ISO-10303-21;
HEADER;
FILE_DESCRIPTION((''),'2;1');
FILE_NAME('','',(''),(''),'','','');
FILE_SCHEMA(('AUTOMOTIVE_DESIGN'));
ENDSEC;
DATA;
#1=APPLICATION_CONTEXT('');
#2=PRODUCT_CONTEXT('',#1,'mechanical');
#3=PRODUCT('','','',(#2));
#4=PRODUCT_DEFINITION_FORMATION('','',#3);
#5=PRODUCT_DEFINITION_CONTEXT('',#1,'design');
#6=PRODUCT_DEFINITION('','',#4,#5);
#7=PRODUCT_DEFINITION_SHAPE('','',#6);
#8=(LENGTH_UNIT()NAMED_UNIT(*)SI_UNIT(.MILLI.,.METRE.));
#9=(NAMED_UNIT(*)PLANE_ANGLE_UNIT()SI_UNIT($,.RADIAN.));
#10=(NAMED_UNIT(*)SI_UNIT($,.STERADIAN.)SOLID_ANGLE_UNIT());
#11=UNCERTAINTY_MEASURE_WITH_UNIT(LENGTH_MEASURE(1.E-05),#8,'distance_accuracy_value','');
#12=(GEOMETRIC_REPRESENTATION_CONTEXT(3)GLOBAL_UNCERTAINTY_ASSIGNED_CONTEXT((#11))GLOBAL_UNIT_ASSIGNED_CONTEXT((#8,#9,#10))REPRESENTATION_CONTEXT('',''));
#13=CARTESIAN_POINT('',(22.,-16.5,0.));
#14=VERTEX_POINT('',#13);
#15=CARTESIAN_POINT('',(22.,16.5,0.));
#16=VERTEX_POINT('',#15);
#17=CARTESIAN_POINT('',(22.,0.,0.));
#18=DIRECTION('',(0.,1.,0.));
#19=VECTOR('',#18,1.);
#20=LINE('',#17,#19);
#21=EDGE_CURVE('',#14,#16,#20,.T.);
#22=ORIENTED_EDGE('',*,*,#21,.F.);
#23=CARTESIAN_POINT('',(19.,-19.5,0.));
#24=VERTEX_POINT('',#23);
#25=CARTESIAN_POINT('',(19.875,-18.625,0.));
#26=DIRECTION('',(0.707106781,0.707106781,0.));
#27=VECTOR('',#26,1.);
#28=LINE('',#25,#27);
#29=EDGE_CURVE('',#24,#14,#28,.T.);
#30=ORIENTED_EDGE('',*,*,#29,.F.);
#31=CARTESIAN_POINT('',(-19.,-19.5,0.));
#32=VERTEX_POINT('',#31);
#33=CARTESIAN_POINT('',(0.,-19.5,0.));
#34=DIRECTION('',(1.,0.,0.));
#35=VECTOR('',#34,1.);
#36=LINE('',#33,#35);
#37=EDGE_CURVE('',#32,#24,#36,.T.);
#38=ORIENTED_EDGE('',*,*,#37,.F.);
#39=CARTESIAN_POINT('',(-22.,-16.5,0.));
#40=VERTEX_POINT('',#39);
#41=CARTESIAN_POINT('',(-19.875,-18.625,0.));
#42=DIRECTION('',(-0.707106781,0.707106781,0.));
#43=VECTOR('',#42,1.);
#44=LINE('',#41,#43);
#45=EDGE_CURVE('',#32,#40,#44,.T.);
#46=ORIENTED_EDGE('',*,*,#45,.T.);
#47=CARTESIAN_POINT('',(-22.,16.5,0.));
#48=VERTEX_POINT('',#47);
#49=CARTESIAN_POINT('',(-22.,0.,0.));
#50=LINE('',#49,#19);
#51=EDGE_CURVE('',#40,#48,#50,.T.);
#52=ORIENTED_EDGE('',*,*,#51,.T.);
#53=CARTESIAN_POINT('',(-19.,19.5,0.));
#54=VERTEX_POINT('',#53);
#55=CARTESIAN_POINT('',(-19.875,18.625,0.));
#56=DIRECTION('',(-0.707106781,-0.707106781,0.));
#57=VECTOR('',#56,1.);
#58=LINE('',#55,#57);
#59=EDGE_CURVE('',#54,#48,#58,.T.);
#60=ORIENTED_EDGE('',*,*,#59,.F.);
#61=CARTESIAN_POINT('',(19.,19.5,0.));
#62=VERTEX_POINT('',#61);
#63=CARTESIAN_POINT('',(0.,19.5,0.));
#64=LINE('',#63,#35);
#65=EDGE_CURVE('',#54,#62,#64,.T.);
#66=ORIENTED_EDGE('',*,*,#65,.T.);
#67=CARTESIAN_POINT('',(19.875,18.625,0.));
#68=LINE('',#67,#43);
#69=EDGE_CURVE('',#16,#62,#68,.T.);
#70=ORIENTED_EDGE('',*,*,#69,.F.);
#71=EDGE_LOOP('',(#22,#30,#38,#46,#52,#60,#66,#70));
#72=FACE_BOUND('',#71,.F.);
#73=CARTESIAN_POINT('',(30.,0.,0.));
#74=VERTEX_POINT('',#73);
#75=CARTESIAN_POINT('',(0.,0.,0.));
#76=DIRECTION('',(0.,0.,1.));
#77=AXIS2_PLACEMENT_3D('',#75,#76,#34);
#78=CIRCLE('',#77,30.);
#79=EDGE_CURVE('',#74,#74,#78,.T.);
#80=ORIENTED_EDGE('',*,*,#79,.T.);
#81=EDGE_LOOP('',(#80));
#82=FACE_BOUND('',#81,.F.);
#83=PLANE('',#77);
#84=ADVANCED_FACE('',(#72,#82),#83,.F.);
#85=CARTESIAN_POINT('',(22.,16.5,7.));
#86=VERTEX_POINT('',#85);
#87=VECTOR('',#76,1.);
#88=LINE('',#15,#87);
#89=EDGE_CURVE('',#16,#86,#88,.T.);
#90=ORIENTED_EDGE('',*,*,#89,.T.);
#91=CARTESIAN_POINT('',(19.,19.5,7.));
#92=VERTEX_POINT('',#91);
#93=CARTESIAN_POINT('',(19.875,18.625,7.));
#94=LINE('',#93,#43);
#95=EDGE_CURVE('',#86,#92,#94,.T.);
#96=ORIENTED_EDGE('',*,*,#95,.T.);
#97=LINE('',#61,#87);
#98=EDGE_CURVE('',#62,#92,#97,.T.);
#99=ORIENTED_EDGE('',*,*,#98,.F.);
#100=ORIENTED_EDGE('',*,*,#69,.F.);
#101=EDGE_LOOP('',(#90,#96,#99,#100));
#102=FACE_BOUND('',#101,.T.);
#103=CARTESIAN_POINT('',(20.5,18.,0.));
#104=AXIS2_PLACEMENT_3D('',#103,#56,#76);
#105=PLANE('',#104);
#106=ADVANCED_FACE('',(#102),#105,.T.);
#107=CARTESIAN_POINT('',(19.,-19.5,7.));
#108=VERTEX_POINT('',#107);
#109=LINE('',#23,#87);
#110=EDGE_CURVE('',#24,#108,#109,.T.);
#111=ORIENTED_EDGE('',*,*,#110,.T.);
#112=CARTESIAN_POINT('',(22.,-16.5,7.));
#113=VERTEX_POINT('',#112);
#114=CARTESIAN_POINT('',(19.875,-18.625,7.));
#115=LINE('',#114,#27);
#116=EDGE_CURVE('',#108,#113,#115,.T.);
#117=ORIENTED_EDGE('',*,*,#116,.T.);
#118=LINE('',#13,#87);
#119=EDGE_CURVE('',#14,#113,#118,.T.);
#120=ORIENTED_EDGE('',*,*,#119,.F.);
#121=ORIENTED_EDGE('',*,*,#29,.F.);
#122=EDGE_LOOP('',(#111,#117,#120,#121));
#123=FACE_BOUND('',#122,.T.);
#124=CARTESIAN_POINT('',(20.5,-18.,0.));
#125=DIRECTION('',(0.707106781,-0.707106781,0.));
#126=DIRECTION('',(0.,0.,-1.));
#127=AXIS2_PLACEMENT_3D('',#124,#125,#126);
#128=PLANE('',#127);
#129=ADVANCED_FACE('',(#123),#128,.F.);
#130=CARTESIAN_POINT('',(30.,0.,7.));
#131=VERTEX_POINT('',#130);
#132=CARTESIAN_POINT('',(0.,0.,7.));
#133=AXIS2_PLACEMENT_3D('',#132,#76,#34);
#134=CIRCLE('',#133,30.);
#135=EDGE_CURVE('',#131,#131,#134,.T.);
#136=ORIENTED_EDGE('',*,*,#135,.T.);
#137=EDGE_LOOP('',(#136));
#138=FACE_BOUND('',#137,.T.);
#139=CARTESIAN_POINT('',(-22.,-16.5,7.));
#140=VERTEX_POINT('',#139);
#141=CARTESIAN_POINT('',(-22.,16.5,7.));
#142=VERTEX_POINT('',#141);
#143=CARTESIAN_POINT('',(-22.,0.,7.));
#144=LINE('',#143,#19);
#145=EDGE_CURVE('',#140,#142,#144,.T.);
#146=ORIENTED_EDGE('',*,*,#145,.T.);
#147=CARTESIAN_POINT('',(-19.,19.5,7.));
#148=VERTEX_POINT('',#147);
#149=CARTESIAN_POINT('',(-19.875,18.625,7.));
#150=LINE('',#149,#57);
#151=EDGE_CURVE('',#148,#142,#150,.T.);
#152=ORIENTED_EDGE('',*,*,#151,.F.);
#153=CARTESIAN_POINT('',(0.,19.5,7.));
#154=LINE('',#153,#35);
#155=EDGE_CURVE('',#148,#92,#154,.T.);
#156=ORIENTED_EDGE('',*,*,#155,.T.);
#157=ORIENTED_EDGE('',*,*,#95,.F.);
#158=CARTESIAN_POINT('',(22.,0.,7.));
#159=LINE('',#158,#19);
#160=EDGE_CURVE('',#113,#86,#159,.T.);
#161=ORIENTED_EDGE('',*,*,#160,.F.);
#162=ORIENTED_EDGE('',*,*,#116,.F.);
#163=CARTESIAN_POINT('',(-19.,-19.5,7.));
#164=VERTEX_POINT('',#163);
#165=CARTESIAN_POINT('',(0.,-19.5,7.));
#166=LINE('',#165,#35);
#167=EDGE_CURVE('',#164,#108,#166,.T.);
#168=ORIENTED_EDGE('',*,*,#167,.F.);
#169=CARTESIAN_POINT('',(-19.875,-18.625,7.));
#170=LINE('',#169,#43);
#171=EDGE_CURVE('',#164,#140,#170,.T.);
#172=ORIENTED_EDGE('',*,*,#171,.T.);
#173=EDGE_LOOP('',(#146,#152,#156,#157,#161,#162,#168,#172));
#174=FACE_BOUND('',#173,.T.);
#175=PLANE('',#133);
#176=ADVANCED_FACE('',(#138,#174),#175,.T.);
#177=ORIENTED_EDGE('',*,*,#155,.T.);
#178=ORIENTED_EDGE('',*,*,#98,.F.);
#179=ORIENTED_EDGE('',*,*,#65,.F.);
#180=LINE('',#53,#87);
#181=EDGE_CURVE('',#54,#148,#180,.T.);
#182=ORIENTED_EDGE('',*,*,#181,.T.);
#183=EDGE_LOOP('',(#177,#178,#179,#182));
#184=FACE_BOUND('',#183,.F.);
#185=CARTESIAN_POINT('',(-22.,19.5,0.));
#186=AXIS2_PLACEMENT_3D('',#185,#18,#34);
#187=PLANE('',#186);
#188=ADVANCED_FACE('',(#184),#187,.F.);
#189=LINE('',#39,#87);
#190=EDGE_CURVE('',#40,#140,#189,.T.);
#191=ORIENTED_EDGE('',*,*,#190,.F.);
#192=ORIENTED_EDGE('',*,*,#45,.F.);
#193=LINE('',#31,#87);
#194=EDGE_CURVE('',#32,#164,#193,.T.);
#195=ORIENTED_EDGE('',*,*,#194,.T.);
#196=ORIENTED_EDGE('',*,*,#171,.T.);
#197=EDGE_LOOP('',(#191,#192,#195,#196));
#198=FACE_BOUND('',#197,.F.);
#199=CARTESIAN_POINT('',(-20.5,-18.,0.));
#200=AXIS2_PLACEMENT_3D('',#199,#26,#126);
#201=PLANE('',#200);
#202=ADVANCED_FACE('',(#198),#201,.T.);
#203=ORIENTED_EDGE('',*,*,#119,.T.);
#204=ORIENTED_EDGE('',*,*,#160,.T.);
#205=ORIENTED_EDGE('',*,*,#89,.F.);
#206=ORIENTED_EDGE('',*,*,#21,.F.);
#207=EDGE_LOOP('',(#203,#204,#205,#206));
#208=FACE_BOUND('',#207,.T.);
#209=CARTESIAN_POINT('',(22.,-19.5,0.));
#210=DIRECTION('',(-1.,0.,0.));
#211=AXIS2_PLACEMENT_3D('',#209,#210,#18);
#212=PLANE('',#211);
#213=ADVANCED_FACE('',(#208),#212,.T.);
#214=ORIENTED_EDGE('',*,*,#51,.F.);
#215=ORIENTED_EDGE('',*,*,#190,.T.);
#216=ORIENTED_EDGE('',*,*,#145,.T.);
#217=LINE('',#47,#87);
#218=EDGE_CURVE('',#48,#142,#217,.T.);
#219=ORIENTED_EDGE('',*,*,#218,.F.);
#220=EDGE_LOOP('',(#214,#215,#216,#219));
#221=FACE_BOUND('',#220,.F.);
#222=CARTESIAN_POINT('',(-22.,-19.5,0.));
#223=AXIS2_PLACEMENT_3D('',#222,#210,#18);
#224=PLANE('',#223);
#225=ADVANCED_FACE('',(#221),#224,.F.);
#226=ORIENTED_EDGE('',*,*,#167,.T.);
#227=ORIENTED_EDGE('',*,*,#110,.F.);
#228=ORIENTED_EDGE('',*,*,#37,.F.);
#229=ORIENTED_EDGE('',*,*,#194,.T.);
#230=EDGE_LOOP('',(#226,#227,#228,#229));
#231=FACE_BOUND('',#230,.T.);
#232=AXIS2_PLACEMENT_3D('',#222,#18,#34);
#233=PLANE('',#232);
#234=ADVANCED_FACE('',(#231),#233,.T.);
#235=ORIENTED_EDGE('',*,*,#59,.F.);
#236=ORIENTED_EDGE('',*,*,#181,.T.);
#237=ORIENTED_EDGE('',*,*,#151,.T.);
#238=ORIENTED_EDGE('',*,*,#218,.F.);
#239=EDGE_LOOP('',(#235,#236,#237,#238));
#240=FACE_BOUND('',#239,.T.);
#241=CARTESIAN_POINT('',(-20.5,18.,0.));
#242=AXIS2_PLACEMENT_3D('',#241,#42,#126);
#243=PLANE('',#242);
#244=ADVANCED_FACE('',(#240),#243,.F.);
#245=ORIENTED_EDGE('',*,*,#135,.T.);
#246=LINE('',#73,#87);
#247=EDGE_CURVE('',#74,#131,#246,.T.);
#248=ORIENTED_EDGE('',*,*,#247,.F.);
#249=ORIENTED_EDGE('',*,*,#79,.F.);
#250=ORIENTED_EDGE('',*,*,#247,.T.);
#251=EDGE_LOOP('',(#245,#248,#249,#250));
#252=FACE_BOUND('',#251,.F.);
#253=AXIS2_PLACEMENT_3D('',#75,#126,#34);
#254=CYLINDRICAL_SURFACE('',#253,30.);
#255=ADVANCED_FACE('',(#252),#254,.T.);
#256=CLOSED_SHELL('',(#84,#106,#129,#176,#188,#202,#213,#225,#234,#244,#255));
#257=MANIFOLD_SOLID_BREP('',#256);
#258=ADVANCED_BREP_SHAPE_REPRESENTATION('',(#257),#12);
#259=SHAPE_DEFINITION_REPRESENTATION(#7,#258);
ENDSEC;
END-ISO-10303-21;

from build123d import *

# Parameters (mm, degrees)
F0_R     = 30
F0_W     = 44
F0_H     = 39
F1_DEPTH = 7
F2_SIZE  = 3


with BuildPart() as f1:
    # F0 (on Top) → F1 (new body)
    with BuildSketch(Plane.XY):
        Circle(F0_R)
        Rectangle(F0_W, F0_H, mode=Mode.SUBTRACT)
    extrude(amount=F1_DEPTH)

    # F2
    f2_edges = [f1.edges().sort_by_distance(p)[0] for p in [
        (-22, 19.5, 3.5),
        (22, 19.5, 3.5),
        (-22, -19.5, 3.5),
        (22, -19.5, 3.5),
    ]]
    chamfer(f2_edges, length=F2_SIZE)


solid = f1.part
